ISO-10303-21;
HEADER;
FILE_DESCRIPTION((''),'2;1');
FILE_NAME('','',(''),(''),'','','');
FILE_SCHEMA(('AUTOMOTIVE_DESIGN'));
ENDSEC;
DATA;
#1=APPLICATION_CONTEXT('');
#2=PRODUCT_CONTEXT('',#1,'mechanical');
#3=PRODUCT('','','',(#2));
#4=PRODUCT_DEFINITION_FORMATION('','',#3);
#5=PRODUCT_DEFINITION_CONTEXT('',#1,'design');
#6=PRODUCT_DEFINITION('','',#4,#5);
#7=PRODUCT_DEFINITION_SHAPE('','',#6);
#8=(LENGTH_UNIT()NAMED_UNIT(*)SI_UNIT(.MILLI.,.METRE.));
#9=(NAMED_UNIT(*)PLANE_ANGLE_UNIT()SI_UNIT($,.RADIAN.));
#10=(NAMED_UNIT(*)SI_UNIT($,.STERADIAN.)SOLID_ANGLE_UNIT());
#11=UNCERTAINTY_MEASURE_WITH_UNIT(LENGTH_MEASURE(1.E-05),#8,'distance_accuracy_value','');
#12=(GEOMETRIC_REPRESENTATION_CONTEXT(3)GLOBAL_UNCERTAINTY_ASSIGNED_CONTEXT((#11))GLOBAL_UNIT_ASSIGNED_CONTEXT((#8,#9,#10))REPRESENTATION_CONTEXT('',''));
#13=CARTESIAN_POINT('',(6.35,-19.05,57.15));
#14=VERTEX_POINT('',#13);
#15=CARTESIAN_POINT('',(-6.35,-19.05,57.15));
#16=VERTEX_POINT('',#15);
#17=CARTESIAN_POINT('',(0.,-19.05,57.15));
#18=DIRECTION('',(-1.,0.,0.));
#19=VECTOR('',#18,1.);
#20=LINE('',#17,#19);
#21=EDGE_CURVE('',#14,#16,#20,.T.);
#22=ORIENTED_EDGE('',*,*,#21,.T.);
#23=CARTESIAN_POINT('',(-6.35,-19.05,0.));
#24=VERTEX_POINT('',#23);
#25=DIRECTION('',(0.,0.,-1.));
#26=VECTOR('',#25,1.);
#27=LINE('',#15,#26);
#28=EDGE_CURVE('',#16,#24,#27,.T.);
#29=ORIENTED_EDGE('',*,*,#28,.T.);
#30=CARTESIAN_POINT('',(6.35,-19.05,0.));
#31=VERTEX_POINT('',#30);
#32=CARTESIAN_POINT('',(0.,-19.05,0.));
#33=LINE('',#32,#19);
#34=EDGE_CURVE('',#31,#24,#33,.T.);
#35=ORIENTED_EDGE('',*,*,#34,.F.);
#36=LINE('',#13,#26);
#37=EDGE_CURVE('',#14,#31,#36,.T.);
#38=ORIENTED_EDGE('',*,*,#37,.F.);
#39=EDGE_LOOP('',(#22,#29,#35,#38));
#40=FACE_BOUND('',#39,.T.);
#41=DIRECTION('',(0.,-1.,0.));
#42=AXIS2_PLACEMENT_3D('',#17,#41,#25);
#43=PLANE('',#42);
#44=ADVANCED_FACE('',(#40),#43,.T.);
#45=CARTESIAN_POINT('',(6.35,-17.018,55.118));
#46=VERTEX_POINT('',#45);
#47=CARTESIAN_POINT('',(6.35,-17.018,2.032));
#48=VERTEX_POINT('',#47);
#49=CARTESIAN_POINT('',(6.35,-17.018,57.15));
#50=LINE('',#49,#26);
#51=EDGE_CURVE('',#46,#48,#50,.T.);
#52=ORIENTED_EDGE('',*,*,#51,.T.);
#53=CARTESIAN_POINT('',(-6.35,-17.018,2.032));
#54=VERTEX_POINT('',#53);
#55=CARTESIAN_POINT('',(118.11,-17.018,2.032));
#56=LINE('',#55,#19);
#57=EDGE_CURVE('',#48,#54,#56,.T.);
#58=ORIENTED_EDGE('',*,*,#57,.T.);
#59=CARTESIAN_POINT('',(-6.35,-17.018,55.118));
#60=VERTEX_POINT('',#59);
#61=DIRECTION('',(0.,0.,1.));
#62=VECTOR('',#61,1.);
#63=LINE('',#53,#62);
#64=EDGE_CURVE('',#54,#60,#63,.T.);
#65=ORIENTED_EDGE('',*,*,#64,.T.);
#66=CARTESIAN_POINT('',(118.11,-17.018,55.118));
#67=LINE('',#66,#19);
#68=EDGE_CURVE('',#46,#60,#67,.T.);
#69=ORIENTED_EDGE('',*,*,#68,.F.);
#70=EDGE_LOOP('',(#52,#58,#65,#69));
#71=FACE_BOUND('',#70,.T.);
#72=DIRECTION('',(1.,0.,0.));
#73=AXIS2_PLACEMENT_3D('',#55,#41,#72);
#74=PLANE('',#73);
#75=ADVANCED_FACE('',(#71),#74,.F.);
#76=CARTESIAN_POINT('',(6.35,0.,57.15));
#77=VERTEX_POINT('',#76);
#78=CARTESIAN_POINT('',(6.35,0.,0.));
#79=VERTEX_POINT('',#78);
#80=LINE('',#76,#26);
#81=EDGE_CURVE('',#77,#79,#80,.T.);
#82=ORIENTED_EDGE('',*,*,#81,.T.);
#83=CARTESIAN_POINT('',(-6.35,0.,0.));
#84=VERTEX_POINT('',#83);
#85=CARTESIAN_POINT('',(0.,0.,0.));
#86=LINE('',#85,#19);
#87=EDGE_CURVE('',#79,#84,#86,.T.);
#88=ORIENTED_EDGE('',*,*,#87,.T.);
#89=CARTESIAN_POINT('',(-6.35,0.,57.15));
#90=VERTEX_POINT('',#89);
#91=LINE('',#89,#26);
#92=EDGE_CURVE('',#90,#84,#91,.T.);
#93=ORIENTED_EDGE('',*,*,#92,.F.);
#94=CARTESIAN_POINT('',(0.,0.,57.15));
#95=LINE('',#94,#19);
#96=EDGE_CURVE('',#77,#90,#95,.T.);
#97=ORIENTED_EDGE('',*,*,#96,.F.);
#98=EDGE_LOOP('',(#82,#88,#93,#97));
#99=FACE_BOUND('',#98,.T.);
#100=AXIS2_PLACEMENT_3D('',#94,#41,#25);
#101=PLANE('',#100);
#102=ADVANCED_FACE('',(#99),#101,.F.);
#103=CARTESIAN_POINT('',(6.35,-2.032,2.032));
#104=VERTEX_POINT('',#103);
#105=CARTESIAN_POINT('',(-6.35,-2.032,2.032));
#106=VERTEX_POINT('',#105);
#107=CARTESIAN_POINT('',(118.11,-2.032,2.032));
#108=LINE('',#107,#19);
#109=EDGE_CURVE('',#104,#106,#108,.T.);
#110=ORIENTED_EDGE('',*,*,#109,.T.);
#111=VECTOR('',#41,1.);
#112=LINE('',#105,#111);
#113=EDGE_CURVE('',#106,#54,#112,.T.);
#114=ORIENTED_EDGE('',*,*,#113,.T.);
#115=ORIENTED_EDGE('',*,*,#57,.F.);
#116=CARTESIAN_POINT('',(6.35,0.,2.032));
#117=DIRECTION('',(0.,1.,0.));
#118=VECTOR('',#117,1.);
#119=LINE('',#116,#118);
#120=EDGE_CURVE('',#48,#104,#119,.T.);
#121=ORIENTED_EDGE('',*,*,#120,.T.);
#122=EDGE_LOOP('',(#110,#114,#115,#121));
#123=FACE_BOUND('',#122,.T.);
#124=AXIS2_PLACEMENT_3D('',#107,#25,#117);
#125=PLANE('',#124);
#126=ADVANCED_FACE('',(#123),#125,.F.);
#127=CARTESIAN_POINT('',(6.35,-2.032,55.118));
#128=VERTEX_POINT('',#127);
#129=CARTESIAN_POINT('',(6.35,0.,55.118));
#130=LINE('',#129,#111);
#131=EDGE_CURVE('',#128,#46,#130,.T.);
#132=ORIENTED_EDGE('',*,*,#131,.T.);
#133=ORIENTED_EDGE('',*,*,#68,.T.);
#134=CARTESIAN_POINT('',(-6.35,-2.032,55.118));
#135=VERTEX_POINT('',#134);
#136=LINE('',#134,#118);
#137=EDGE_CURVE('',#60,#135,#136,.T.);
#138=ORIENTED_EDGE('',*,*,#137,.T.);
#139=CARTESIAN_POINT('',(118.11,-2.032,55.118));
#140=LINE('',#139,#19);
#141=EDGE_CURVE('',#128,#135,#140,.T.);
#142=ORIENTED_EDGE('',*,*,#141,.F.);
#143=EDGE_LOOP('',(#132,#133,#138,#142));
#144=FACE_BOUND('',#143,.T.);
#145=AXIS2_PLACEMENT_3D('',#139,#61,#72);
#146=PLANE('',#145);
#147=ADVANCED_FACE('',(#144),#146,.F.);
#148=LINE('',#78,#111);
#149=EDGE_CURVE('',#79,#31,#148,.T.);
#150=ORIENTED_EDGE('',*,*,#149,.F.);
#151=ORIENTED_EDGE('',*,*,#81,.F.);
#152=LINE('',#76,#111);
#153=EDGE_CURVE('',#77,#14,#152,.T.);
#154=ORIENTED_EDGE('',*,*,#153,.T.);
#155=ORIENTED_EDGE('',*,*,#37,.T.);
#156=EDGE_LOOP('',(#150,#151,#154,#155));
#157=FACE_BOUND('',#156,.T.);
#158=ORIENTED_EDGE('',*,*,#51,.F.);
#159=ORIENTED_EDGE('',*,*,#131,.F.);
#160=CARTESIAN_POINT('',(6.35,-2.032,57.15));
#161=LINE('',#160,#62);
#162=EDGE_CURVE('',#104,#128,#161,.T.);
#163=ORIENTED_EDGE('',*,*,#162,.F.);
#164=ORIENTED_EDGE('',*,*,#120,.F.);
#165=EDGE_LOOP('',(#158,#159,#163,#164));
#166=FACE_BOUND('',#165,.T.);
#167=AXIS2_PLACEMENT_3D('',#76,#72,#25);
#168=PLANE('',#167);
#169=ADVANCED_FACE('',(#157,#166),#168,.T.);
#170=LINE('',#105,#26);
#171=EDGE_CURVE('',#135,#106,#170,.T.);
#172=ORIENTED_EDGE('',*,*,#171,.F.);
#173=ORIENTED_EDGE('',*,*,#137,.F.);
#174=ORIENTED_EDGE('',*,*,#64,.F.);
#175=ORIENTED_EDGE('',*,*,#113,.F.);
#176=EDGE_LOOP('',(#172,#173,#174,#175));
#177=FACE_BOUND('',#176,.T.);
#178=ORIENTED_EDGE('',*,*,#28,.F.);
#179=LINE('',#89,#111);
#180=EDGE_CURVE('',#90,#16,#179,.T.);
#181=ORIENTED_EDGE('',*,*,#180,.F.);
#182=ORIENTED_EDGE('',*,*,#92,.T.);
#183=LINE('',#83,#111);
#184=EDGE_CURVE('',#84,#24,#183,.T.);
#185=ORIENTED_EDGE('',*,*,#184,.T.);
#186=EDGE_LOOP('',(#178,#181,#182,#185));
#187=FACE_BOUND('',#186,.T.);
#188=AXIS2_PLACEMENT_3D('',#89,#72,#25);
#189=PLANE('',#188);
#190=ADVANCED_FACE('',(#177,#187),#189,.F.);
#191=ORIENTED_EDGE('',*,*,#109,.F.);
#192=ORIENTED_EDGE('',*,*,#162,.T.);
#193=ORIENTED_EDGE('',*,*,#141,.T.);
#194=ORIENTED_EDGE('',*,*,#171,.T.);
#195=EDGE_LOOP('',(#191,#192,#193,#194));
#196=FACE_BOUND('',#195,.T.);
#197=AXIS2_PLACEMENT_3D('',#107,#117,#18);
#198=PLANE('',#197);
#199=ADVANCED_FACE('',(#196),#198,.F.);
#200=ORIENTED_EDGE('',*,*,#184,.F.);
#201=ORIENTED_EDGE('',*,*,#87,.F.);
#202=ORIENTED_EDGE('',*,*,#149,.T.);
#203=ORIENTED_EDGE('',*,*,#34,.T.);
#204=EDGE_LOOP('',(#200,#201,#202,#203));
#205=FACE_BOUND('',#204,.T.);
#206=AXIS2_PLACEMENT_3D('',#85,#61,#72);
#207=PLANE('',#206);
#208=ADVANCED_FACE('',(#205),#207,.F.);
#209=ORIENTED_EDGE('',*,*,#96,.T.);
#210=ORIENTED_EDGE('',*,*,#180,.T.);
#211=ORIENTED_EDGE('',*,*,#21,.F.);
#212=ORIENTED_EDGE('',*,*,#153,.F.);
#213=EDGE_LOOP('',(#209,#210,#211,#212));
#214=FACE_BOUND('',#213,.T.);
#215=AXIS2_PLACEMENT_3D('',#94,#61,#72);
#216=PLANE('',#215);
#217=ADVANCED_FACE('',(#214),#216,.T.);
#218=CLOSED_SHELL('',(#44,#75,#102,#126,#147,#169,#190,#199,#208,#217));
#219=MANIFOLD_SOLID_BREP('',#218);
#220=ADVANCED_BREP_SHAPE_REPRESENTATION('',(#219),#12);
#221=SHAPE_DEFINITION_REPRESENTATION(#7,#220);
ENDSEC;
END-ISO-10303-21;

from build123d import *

# Parameters (mm, degrees)
SKETCH1_W           = 12.7
SKETCH1_H           = 19.05
BOSS_EXTRUDE1_DEPTH = 57.15
SKETCH3_W           = 53.086
SKETCH3_H           = 14.986
CUT_EXTRUDE2_DEPTH  = 124.46


with BuildPart() as part:
    # Sketch1 → Boss-Extrude1 (new body)
    with BuildSketch(Plane.XY):
        with Locations((0, -9.525)):
            Rectangle(SKETCH1_W, SKETCH1_H)
    extrude(amount=BOSS_EXTRUDE1_DEPTH)

    # Sketch3 → Cut-Extrude2 (cut)
    with BuildSketch(Plane.ZY.offset(6.35)):
        with Locations((28.575, -9.525)):
            Rectangle(SKETCH3_W, SKETCH3_H)
    extrude(amount=-CUT_EXTRUDE2_DEPTH, mode=Mode.SUBTRACT)


solid = part.part
